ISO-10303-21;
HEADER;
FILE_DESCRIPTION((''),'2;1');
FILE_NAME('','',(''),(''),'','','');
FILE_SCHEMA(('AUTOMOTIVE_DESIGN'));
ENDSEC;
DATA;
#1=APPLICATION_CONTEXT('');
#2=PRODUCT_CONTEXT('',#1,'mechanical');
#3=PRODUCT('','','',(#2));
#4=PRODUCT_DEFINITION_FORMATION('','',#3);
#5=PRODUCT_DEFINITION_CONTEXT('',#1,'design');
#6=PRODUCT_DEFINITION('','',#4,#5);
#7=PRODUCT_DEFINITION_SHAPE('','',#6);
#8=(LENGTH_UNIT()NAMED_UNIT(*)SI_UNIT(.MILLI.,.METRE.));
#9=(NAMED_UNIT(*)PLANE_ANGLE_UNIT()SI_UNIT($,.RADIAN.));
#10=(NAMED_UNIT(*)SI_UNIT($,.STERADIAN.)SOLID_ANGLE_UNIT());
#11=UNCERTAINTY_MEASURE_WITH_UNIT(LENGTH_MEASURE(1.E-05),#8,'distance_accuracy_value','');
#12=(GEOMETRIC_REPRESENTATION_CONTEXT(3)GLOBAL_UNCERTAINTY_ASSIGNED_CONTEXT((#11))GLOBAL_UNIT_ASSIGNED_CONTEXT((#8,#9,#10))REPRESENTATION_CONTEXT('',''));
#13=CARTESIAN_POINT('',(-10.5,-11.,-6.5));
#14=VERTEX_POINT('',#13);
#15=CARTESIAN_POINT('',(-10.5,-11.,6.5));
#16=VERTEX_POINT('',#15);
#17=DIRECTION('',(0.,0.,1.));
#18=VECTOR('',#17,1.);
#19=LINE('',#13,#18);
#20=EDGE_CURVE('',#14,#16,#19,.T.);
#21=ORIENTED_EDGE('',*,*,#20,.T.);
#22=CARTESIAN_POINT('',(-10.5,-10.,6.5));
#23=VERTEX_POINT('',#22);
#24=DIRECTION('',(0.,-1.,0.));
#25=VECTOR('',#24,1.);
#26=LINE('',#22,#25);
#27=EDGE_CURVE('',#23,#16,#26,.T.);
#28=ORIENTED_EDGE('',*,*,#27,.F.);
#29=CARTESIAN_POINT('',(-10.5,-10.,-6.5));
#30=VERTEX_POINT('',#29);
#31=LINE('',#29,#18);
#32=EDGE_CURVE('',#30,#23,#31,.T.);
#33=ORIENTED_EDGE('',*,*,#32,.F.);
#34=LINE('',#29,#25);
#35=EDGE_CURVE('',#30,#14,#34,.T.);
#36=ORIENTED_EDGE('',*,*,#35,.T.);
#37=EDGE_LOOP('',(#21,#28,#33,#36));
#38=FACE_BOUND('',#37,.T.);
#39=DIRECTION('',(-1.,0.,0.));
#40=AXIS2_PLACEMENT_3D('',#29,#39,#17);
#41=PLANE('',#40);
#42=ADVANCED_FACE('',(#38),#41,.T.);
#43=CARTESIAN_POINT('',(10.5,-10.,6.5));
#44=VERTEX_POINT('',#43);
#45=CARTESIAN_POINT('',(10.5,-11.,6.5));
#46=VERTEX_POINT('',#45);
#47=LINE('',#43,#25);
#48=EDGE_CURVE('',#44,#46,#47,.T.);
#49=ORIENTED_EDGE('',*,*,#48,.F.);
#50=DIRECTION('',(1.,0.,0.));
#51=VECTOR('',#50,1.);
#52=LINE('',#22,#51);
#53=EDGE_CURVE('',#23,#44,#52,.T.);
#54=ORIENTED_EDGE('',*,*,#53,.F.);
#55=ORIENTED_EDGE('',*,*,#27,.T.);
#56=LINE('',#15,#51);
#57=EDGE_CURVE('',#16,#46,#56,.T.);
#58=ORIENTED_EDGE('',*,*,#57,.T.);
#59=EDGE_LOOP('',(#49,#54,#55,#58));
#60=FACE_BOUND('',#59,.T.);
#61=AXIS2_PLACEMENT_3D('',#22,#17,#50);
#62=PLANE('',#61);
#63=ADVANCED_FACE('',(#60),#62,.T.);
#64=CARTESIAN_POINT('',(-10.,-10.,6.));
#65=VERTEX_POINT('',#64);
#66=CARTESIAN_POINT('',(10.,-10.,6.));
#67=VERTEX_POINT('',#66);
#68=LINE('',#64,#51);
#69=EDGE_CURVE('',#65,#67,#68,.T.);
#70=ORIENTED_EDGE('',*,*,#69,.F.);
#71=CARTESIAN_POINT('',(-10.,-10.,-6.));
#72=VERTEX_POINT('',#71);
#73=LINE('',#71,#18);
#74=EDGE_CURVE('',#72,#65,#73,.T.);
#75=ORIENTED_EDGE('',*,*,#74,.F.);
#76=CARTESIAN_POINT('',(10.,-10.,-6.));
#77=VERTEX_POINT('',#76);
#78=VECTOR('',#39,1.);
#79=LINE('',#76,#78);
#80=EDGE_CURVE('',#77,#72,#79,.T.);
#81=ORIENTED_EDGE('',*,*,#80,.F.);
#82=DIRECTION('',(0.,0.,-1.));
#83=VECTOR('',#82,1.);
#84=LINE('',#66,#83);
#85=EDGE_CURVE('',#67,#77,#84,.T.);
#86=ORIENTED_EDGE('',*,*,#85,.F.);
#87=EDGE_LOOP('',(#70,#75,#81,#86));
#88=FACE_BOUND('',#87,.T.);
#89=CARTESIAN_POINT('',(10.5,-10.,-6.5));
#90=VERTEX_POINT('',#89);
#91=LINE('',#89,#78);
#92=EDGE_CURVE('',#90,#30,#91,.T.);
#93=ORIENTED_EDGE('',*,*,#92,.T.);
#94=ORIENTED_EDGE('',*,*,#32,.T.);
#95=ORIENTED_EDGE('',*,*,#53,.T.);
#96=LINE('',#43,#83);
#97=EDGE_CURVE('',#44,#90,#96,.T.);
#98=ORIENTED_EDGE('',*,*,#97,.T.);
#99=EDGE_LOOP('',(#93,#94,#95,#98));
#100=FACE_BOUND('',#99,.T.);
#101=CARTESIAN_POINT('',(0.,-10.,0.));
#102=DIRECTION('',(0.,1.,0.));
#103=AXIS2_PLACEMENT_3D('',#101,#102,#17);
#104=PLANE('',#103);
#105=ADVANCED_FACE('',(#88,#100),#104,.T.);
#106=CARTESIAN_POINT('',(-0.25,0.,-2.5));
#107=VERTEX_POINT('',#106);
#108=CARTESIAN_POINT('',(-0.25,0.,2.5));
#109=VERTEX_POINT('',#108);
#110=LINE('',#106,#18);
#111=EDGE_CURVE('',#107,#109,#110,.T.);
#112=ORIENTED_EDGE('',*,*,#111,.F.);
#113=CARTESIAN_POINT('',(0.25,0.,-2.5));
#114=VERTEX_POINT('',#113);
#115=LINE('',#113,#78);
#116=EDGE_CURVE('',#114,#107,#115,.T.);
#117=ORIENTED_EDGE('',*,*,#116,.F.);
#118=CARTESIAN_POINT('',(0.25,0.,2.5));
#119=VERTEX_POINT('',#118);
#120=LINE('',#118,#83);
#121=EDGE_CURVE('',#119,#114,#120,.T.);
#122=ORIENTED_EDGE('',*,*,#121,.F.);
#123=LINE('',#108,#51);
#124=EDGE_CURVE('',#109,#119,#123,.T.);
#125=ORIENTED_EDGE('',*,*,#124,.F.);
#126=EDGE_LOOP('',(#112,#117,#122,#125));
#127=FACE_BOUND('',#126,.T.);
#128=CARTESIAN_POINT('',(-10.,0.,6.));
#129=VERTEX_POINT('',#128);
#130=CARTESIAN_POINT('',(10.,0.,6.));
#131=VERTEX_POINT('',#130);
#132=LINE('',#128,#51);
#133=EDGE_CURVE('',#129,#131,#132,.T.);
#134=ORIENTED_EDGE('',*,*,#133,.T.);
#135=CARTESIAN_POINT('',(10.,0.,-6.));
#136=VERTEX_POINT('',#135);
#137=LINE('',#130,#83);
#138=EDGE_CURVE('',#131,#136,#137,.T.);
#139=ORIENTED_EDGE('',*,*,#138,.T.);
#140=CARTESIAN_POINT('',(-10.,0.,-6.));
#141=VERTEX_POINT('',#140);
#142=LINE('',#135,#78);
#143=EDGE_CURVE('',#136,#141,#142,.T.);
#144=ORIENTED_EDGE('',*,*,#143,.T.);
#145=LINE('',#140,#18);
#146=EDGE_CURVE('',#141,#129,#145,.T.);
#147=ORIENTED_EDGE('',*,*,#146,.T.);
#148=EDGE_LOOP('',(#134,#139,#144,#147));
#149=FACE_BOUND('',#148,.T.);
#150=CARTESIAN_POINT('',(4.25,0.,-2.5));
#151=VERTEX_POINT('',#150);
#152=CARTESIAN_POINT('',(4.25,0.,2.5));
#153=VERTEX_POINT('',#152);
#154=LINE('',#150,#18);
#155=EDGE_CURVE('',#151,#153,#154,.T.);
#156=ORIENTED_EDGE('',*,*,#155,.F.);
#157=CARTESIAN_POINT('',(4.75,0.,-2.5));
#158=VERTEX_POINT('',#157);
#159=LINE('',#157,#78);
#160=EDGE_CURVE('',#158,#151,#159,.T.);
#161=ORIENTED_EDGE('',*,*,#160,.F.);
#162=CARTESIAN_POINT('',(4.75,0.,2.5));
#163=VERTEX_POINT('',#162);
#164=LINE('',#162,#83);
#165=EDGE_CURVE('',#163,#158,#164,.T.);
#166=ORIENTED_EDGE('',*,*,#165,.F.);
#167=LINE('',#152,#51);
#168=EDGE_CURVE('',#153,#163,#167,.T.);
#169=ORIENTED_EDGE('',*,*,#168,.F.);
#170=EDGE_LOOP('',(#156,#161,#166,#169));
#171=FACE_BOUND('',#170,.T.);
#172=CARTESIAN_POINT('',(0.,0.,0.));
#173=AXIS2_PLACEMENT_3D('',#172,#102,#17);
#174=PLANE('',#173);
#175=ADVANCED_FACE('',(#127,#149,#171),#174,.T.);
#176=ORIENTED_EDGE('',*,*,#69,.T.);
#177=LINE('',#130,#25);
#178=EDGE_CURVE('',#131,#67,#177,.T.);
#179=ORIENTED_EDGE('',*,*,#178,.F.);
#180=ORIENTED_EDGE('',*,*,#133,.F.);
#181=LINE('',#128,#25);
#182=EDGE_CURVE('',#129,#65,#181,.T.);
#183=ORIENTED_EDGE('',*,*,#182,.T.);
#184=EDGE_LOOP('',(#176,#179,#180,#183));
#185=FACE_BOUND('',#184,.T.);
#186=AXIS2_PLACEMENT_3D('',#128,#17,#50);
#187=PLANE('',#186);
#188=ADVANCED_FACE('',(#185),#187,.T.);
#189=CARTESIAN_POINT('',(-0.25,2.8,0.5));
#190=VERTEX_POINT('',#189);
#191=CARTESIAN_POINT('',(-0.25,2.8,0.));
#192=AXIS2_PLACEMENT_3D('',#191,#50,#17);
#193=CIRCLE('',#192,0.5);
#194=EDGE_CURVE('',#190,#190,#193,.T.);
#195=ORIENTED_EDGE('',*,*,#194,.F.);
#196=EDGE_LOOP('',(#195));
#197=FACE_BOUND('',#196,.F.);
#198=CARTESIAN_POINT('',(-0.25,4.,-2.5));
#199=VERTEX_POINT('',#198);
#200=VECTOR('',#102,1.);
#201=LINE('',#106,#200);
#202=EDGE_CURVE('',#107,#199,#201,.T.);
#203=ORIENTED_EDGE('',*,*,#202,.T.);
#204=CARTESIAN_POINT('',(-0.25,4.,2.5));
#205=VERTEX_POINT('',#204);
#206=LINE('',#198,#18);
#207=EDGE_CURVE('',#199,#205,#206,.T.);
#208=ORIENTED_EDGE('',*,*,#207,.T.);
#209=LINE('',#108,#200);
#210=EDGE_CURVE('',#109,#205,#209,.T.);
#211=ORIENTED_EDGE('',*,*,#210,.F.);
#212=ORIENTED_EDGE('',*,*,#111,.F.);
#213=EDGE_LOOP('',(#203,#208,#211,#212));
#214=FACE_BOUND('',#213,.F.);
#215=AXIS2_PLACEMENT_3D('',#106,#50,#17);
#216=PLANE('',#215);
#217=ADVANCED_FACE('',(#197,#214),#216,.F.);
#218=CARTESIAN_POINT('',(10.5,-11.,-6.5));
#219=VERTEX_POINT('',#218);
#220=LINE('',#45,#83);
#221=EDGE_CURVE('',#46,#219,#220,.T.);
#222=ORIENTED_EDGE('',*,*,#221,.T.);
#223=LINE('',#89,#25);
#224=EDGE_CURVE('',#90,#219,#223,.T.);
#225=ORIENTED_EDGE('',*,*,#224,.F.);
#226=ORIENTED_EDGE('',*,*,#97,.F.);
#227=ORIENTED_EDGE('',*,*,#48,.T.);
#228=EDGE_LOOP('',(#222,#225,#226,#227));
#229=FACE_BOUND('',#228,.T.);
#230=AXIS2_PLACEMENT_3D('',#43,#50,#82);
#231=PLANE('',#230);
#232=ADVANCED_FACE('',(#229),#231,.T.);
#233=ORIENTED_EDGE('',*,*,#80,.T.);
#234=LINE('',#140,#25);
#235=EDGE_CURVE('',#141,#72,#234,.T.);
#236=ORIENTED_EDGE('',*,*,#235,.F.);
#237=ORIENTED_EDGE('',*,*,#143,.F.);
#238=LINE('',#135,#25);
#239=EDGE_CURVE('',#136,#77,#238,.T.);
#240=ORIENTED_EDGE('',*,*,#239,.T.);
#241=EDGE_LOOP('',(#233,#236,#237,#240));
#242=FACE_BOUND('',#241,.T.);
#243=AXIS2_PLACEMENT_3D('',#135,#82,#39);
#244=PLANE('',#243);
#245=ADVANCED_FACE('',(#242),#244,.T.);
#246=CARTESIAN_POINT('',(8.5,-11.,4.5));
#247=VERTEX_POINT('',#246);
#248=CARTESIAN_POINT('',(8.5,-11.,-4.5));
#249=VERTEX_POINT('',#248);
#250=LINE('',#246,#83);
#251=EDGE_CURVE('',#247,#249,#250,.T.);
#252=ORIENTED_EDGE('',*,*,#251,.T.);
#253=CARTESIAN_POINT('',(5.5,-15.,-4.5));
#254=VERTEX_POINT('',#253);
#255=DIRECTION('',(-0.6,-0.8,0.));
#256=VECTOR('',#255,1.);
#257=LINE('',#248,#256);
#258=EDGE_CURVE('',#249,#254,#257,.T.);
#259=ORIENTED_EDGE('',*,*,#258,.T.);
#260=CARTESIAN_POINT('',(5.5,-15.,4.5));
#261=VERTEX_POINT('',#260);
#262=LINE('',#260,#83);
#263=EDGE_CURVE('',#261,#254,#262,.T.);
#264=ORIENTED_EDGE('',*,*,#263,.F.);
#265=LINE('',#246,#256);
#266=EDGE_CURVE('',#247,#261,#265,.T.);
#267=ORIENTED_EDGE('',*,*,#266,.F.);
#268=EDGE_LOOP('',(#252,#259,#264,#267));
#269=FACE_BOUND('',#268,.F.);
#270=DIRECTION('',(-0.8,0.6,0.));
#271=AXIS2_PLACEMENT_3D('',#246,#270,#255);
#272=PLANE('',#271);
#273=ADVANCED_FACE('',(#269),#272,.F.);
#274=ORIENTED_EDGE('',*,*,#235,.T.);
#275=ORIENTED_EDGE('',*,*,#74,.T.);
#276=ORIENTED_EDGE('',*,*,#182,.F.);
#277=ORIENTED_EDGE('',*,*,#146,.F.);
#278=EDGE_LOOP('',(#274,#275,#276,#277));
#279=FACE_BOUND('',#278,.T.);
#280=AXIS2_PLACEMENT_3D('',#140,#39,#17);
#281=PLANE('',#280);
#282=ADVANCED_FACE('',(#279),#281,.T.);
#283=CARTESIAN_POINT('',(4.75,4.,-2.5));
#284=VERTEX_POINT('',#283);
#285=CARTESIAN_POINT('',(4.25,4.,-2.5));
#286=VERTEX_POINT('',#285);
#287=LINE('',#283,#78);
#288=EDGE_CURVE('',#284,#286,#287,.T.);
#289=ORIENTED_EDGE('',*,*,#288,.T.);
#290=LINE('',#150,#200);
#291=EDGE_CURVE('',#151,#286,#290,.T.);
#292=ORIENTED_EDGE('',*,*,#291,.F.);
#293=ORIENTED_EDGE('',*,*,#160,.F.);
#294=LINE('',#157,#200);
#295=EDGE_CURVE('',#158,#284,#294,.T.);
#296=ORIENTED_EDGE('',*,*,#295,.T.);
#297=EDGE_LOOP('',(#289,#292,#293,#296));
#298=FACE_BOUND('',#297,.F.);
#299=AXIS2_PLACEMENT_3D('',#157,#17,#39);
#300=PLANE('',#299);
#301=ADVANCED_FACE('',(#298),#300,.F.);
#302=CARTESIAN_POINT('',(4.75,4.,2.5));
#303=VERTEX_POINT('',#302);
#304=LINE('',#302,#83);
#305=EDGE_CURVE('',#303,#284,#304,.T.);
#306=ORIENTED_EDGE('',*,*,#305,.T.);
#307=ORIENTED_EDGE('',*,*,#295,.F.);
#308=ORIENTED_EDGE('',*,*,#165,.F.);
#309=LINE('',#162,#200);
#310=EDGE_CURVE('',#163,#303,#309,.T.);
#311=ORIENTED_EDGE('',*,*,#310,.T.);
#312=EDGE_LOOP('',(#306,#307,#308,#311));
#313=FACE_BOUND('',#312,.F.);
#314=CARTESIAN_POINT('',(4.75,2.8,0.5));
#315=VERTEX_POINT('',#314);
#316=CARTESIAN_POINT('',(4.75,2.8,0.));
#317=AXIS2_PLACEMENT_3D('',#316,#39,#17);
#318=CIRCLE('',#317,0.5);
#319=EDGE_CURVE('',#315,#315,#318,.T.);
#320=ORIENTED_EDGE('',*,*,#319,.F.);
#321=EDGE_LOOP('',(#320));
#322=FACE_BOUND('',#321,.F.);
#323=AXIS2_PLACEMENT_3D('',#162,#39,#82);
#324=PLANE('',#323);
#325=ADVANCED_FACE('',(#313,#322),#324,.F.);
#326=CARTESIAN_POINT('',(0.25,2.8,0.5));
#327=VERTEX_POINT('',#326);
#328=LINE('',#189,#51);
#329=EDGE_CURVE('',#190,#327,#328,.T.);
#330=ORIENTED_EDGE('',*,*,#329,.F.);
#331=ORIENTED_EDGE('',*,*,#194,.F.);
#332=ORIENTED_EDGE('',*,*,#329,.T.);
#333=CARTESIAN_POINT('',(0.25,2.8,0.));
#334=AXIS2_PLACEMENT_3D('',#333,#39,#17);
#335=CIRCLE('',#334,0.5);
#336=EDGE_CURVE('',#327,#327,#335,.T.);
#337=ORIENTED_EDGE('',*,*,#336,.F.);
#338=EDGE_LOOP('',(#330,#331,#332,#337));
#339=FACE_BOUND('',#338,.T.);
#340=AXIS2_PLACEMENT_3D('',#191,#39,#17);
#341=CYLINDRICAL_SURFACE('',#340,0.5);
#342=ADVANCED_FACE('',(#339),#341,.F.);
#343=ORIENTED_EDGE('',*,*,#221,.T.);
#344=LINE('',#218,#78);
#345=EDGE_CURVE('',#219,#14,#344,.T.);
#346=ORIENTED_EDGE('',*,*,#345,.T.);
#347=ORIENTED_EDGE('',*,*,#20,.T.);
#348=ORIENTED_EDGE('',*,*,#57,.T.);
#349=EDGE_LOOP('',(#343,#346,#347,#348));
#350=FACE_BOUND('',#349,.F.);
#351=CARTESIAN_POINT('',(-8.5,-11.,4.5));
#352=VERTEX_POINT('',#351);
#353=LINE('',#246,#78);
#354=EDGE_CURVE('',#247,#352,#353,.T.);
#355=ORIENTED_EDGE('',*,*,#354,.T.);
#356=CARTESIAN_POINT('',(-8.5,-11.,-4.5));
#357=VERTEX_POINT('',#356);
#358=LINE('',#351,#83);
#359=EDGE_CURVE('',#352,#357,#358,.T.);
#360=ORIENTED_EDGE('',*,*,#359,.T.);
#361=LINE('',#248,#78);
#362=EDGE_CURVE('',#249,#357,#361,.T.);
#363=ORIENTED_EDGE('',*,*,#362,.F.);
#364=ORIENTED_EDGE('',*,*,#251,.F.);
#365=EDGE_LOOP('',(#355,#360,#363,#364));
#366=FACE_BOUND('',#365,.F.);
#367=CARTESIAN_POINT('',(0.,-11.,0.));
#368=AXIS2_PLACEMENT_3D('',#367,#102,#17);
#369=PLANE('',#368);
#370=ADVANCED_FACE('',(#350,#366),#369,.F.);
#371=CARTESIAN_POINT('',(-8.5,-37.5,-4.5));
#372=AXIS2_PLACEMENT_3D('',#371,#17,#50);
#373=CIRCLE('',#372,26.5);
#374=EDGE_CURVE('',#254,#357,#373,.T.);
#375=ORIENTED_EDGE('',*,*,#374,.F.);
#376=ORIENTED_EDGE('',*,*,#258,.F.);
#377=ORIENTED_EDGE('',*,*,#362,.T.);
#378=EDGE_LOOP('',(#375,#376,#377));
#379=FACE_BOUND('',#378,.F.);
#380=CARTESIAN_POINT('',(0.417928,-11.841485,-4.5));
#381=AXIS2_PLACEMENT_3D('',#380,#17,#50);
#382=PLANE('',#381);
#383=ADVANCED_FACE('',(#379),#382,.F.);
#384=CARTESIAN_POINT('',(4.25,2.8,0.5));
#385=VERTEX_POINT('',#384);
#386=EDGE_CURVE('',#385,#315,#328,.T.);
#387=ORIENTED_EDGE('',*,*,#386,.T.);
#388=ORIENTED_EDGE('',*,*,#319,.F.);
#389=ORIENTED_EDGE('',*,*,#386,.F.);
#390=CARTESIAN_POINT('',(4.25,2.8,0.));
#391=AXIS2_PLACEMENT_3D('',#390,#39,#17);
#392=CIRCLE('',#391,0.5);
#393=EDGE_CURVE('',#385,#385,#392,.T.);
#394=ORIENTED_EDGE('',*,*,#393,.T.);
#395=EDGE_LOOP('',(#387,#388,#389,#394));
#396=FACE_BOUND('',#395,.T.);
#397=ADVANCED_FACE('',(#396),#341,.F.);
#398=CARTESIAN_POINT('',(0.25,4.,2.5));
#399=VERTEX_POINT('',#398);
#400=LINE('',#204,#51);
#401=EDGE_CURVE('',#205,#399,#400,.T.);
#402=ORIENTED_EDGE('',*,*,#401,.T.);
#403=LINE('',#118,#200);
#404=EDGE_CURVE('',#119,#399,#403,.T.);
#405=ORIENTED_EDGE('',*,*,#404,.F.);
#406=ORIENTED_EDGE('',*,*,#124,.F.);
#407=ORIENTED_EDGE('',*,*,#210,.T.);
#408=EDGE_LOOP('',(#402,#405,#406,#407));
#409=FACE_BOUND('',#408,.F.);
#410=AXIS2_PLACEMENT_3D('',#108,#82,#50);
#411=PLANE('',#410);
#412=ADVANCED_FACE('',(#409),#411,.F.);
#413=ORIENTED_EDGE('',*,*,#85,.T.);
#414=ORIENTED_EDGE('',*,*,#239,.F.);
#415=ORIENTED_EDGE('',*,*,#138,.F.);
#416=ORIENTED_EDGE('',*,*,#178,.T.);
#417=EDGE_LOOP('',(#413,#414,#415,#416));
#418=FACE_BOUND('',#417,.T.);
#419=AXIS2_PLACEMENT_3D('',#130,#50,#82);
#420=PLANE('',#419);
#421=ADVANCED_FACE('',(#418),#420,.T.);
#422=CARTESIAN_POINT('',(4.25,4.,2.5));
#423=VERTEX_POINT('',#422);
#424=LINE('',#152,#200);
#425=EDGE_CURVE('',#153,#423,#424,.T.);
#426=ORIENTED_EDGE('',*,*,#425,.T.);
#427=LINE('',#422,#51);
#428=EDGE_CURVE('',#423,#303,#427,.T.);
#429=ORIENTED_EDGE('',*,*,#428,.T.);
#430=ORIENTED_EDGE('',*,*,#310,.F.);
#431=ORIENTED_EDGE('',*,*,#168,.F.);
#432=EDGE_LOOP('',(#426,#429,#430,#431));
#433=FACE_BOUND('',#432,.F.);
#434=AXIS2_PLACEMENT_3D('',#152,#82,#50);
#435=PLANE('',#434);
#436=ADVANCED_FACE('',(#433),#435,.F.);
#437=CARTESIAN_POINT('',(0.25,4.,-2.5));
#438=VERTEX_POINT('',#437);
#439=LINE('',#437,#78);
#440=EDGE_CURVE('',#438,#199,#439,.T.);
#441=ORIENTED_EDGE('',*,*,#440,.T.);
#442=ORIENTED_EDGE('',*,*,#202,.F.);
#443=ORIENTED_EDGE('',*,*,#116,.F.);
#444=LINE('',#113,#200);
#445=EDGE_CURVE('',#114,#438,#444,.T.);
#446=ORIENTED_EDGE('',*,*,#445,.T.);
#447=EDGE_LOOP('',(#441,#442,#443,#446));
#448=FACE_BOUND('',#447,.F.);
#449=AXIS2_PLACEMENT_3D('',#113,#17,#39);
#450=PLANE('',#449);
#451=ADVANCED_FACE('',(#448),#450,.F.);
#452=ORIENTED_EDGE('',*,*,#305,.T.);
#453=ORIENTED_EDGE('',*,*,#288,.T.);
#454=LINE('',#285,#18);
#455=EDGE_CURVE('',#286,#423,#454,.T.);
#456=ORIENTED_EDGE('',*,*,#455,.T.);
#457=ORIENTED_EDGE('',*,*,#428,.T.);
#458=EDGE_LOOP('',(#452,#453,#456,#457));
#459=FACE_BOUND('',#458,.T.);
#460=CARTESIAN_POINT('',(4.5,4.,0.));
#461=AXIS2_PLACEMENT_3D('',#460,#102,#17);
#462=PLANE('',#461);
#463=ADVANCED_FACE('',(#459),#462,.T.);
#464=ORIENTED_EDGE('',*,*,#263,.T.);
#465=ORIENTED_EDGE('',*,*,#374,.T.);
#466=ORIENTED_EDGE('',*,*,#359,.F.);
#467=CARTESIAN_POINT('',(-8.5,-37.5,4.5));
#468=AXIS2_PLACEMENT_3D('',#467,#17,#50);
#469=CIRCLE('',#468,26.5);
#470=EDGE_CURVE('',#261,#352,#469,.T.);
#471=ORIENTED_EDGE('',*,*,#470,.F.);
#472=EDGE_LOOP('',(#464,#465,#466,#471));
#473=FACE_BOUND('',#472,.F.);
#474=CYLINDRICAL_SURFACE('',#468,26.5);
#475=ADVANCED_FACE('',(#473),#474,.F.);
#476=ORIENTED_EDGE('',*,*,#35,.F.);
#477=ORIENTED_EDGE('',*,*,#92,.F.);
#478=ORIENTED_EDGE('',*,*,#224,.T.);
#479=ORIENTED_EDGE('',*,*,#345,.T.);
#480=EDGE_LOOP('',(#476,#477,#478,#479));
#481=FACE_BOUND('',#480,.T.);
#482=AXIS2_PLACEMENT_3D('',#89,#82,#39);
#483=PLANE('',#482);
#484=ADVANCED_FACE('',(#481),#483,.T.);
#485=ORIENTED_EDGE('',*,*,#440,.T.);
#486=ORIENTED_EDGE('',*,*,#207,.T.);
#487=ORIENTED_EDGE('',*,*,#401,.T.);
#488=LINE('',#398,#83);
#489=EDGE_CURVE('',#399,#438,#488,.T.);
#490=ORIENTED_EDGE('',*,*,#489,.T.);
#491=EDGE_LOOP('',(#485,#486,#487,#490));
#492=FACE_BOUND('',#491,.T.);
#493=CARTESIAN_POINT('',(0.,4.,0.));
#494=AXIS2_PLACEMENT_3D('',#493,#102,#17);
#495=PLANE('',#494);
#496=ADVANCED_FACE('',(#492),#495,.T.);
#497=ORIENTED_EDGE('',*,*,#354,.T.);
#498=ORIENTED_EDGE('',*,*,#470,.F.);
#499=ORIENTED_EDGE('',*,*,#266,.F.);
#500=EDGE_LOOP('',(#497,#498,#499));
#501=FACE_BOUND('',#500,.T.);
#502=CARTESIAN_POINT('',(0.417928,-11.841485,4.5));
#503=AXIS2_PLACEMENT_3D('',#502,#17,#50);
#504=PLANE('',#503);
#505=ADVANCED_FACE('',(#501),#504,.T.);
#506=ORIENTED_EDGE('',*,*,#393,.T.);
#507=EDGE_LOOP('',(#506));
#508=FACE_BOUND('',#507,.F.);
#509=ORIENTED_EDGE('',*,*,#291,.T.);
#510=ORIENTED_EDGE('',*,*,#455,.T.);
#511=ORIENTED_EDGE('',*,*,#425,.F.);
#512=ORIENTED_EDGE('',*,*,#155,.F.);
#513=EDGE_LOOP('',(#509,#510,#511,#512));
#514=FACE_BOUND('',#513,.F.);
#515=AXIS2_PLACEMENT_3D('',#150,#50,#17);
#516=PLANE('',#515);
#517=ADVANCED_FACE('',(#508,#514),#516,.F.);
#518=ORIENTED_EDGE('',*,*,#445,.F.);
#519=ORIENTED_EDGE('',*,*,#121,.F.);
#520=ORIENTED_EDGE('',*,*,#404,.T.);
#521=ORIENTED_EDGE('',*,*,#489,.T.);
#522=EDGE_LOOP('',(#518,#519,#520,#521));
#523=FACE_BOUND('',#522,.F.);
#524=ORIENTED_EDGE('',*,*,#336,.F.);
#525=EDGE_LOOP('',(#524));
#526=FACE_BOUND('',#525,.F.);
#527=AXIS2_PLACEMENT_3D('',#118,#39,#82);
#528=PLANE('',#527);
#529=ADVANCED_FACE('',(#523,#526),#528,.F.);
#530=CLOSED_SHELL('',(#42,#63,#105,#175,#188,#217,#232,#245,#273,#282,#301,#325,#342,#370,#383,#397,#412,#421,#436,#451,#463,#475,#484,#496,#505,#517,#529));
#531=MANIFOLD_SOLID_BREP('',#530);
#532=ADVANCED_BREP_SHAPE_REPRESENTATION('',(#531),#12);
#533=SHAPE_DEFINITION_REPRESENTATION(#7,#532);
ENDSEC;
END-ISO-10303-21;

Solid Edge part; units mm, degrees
sketch "Sketch1" plane through (0, 0, 0) normal (0, -1, 0) x (1, 0, 0)
  line L0 (-10, 6) -> (10, 6)
  line L1 (10, 6) -> (10, -6)
  line L2 (10, -6) -> (-10, -6)
  line L3 (-10, -6) -> (-10, 6)
  dimension "D1" = 20
  dimension "D2" = 12
extrude "Protrusion1" add sketch "Sketch1" along normal blind 10
sketch "Sketch2" plane through (0, -10, 0) normal (0, -1, 0) x (1, 0, 0)
  line L0 (-10.5, 6.5) -> (10.5, 6.5)
  line L1 (10.5, 6.5) -> (10.5, -6.5)
  line L2 (10.5, -6.5) -> (-10.5, -6.5)
  line L3 (-10.5, -6.5) -> (-10.5, 6.5)
  dimension "D1" = 0.5
extrude "Wall" add sketch "Sketch2" along normal blind 1
sketch "Sketch3" plane through (0, -10.5, 4.5) normal (0, 0, 1) x (1, 0, 0)
  line L0 (8.5, -0.5) -> (-8.5, -0.5)
  arc A0 (5.5, -4.5) -> (-8.5, -0.5) centre (-8.5, -27) ccw
  line L1 (8.5, -0.5) -> (5.5, -4.5)
  dimension "D1" = 4
  dimension "D2" = 5
  dimension "D3" = 2
  dimension "D4" = 2
extrude "Button_Profile_Plane1" add sketch "Sketch3" against normal blind 9
sketch "Sketch4" plane through (0, 0, 0) normal (0, 1, 0) x (-1, 0, 0)
  line L0 (-4.75, -2.5) -> (-4.25, -2.5)
  line L1 (-4.25, -2.5) -> (-4.25, 2.5)
  line L2 (-4.25, 2.5) -> (-4.75, 2.5)
  line L3 (-4.75, 2.5) -> (-4.75, -2.5)
  line L4 (-0.25, -2.5) -> (0.25, -2.5)
  line L5 (0.25, -2.5) -> (0.25, 2.5)
  line L6 (0.25, 2.5) -> (-0.25, 2.5)
  line L7 (-0.25, 2.5) -> (-0.25, -2.5)
  dimension "D1" = 5
  dimension "D2" = 0.5
  dimension "D3" = 4
extrude "Electrics" add sketch "Sketch4" along normal blind 4
hole "Wire" at (-0.25, 2.8, 0) direction (1, 0, 0) diameter 1 end through all
properties material "ABS Plastic, high impact"
